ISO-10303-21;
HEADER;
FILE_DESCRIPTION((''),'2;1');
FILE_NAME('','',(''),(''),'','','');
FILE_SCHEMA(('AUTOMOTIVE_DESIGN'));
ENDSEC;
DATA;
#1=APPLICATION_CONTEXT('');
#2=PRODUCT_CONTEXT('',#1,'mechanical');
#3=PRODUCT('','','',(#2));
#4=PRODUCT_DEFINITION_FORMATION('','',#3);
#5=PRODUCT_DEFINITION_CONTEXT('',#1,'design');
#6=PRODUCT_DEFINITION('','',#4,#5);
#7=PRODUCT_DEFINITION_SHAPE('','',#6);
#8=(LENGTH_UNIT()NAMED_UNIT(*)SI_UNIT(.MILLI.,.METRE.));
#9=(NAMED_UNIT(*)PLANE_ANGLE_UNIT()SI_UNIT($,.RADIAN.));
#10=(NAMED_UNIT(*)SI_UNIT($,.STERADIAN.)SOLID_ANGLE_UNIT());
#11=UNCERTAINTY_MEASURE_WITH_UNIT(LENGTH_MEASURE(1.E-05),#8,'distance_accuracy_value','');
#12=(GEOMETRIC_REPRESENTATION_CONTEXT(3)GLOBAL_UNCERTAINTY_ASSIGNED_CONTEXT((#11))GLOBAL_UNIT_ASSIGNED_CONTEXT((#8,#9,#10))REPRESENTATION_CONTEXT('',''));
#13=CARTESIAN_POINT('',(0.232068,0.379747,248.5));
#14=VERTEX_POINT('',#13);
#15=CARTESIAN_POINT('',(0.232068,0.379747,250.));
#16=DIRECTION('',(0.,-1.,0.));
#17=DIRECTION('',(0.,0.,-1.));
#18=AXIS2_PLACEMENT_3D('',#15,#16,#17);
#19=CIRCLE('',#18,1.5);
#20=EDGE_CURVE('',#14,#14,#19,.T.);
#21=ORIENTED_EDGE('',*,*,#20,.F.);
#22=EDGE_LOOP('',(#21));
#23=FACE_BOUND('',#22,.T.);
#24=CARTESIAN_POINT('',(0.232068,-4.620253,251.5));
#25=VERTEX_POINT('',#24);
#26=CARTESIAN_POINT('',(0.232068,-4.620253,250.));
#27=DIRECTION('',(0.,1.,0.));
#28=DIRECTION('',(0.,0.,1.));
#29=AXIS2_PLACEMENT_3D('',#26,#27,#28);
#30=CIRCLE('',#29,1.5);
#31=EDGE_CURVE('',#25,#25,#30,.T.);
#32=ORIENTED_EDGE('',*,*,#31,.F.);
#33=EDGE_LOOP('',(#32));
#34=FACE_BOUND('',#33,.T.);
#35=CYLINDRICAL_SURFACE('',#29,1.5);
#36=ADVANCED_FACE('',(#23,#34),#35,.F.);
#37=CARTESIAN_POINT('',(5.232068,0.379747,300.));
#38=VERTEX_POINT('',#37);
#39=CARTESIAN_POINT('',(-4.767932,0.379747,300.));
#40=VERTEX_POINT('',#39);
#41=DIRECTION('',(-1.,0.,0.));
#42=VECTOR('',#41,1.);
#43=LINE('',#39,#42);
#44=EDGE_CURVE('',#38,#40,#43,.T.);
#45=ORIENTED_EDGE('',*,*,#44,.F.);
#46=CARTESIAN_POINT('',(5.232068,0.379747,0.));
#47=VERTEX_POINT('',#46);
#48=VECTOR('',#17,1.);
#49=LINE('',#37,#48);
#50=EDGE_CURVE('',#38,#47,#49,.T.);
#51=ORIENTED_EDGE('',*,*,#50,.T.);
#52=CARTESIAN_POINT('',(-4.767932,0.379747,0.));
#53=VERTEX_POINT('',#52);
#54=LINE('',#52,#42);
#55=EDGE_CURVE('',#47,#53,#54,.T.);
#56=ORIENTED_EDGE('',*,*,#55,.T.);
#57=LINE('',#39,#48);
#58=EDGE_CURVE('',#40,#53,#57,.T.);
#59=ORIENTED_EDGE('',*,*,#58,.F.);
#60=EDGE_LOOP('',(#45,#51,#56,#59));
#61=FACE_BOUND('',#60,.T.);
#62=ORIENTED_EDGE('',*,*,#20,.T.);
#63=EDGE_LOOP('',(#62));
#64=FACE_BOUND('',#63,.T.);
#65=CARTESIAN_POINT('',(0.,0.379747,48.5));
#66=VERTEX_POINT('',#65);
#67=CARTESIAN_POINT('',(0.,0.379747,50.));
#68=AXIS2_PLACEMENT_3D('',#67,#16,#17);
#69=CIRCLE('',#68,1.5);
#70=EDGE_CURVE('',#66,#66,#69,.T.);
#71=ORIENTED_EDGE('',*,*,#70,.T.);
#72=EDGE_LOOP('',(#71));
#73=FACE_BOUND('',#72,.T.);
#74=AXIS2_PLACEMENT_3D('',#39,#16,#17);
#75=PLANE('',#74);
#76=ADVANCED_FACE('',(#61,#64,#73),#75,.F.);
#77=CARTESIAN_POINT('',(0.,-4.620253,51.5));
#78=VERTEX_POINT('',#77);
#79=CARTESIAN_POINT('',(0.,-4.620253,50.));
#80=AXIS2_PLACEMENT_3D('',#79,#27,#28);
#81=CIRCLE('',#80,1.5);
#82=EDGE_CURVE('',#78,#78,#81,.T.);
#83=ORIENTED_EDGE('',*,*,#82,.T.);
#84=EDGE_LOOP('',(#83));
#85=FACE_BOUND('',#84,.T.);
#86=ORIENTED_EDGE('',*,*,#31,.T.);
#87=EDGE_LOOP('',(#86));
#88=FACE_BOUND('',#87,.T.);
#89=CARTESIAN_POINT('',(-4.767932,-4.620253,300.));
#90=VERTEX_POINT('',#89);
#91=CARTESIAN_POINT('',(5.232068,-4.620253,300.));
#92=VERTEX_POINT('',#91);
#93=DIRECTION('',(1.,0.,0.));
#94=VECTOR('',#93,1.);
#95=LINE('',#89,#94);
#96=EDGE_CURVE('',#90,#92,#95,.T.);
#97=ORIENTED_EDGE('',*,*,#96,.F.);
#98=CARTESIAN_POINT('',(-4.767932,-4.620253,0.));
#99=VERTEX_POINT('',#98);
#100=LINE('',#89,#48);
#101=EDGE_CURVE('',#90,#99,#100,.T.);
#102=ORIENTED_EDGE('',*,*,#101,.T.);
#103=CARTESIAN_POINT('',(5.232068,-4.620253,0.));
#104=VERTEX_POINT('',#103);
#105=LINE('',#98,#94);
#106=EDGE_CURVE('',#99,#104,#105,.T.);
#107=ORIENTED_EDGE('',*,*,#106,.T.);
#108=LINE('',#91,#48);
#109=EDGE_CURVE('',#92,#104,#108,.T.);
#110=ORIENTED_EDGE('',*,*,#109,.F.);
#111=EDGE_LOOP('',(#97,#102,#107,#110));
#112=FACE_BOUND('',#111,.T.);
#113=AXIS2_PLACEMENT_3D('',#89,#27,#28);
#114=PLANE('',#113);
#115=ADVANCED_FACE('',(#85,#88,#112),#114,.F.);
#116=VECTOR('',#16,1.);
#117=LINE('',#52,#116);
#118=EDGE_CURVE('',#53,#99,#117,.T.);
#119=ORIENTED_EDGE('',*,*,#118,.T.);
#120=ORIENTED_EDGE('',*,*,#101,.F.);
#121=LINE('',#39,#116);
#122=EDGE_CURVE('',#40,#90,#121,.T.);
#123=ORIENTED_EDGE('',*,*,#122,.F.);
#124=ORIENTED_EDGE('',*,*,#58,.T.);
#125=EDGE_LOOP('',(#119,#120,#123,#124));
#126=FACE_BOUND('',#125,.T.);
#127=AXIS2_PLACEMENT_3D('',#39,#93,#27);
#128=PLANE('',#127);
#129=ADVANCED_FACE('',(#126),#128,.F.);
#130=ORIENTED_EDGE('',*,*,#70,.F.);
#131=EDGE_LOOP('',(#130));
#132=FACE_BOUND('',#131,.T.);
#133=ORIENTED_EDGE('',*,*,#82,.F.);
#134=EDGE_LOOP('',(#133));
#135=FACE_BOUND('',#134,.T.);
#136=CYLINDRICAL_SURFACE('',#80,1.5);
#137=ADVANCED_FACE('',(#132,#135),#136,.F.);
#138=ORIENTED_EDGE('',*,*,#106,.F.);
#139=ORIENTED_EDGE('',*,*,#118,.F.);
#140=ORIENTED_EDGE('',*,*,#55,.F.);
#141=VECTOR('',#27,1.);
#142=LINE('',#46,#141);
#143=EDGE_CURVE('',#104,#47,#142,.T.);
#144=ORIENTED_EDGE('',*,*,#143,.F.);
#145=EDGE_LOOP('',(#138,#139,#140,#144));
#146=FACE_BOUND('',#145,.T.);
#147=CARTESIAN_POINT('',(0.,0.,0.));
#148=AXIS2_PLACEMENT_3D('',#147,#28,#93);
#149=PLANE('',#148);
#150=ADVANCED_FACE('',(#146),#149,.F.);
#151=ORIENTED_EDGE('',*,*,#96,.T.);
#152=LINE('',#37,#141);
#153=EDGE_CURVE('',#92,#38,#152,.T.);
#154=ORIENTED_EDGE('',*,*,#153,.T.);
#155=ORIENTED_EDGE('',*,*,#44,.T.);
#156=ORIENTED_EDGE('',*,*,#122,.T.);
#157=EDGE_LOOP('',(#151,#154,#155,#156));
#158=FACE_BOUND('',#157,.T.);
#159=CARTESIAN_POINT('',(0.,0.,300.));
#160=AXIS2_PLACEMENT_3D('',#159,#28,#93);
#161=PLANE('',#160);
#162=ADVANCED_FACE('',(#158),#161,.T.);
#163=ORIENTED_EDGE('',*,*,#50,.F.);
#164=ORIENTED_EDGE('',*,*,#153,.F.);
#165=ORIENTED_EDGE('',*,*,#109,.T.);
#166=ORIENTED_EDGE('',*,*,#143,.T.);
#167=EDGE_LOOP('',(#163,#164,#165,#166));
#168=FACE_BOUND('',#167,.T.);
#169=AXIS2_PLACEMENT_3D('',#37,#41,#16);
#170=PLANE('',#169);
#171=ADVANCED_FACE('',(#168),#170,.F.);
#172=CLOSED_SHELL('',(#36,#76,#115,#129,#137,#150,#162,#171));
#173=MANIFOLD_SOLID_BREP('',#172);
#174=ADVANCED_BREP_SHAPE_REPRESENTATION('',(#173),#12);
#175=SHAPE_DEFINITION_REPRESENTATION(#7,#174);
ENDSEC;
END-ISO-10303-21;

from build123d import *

# Parameters (mm, degrees)
SKETCH1_W               = 10
SKETCH1_H               = 5
BOSS_EXTRUDE1_DEPTH     = 300
CUT_EXTRUDE1_DEPTH      = 301.087278188
CUT_EXTRUDE1_DEPTH_BACK = 301.087278188
SKETCH2_R               = 1.5


with BuildPart() as part:
    # Sketch1 → Boss-Extrude1 (new body)
    with BuildSketch(Plane.XY):
        with Locations((0.232067511, -2.120253165)):
            Rectangle(SKETCH1_W, SKETCH1_H)
    extrude(amount=BOSS_EXTRUDE1_DEPTH)

    # Sketch2 → Cut-Extrude1 (cut, two sides: drawn at the far end of the back side and taken through both)
    with BuildSketch(Plane(origin=(0, 0.379746835, 0), x_dir=(1, 0, 0), z_dir=(0, 1, 0)).offset(-CUT_EXTRUDE1_DEPTH_BACK)):
        with Locations(Location((0.232067511, -250, 0), (0, 0, 270))):
            Circle(SKETCH2_R)
        with Locations(Location((0, -50, 0), (0, 0, 270))):
            Circle(SKETCH2_R)
    extrude(amount=CUT_EXTRUDE1_DEPTH + CUT_EXTRUDE1_DEPTH_BACK, mode=Mode.SUBTRACT)


solid = part.part
